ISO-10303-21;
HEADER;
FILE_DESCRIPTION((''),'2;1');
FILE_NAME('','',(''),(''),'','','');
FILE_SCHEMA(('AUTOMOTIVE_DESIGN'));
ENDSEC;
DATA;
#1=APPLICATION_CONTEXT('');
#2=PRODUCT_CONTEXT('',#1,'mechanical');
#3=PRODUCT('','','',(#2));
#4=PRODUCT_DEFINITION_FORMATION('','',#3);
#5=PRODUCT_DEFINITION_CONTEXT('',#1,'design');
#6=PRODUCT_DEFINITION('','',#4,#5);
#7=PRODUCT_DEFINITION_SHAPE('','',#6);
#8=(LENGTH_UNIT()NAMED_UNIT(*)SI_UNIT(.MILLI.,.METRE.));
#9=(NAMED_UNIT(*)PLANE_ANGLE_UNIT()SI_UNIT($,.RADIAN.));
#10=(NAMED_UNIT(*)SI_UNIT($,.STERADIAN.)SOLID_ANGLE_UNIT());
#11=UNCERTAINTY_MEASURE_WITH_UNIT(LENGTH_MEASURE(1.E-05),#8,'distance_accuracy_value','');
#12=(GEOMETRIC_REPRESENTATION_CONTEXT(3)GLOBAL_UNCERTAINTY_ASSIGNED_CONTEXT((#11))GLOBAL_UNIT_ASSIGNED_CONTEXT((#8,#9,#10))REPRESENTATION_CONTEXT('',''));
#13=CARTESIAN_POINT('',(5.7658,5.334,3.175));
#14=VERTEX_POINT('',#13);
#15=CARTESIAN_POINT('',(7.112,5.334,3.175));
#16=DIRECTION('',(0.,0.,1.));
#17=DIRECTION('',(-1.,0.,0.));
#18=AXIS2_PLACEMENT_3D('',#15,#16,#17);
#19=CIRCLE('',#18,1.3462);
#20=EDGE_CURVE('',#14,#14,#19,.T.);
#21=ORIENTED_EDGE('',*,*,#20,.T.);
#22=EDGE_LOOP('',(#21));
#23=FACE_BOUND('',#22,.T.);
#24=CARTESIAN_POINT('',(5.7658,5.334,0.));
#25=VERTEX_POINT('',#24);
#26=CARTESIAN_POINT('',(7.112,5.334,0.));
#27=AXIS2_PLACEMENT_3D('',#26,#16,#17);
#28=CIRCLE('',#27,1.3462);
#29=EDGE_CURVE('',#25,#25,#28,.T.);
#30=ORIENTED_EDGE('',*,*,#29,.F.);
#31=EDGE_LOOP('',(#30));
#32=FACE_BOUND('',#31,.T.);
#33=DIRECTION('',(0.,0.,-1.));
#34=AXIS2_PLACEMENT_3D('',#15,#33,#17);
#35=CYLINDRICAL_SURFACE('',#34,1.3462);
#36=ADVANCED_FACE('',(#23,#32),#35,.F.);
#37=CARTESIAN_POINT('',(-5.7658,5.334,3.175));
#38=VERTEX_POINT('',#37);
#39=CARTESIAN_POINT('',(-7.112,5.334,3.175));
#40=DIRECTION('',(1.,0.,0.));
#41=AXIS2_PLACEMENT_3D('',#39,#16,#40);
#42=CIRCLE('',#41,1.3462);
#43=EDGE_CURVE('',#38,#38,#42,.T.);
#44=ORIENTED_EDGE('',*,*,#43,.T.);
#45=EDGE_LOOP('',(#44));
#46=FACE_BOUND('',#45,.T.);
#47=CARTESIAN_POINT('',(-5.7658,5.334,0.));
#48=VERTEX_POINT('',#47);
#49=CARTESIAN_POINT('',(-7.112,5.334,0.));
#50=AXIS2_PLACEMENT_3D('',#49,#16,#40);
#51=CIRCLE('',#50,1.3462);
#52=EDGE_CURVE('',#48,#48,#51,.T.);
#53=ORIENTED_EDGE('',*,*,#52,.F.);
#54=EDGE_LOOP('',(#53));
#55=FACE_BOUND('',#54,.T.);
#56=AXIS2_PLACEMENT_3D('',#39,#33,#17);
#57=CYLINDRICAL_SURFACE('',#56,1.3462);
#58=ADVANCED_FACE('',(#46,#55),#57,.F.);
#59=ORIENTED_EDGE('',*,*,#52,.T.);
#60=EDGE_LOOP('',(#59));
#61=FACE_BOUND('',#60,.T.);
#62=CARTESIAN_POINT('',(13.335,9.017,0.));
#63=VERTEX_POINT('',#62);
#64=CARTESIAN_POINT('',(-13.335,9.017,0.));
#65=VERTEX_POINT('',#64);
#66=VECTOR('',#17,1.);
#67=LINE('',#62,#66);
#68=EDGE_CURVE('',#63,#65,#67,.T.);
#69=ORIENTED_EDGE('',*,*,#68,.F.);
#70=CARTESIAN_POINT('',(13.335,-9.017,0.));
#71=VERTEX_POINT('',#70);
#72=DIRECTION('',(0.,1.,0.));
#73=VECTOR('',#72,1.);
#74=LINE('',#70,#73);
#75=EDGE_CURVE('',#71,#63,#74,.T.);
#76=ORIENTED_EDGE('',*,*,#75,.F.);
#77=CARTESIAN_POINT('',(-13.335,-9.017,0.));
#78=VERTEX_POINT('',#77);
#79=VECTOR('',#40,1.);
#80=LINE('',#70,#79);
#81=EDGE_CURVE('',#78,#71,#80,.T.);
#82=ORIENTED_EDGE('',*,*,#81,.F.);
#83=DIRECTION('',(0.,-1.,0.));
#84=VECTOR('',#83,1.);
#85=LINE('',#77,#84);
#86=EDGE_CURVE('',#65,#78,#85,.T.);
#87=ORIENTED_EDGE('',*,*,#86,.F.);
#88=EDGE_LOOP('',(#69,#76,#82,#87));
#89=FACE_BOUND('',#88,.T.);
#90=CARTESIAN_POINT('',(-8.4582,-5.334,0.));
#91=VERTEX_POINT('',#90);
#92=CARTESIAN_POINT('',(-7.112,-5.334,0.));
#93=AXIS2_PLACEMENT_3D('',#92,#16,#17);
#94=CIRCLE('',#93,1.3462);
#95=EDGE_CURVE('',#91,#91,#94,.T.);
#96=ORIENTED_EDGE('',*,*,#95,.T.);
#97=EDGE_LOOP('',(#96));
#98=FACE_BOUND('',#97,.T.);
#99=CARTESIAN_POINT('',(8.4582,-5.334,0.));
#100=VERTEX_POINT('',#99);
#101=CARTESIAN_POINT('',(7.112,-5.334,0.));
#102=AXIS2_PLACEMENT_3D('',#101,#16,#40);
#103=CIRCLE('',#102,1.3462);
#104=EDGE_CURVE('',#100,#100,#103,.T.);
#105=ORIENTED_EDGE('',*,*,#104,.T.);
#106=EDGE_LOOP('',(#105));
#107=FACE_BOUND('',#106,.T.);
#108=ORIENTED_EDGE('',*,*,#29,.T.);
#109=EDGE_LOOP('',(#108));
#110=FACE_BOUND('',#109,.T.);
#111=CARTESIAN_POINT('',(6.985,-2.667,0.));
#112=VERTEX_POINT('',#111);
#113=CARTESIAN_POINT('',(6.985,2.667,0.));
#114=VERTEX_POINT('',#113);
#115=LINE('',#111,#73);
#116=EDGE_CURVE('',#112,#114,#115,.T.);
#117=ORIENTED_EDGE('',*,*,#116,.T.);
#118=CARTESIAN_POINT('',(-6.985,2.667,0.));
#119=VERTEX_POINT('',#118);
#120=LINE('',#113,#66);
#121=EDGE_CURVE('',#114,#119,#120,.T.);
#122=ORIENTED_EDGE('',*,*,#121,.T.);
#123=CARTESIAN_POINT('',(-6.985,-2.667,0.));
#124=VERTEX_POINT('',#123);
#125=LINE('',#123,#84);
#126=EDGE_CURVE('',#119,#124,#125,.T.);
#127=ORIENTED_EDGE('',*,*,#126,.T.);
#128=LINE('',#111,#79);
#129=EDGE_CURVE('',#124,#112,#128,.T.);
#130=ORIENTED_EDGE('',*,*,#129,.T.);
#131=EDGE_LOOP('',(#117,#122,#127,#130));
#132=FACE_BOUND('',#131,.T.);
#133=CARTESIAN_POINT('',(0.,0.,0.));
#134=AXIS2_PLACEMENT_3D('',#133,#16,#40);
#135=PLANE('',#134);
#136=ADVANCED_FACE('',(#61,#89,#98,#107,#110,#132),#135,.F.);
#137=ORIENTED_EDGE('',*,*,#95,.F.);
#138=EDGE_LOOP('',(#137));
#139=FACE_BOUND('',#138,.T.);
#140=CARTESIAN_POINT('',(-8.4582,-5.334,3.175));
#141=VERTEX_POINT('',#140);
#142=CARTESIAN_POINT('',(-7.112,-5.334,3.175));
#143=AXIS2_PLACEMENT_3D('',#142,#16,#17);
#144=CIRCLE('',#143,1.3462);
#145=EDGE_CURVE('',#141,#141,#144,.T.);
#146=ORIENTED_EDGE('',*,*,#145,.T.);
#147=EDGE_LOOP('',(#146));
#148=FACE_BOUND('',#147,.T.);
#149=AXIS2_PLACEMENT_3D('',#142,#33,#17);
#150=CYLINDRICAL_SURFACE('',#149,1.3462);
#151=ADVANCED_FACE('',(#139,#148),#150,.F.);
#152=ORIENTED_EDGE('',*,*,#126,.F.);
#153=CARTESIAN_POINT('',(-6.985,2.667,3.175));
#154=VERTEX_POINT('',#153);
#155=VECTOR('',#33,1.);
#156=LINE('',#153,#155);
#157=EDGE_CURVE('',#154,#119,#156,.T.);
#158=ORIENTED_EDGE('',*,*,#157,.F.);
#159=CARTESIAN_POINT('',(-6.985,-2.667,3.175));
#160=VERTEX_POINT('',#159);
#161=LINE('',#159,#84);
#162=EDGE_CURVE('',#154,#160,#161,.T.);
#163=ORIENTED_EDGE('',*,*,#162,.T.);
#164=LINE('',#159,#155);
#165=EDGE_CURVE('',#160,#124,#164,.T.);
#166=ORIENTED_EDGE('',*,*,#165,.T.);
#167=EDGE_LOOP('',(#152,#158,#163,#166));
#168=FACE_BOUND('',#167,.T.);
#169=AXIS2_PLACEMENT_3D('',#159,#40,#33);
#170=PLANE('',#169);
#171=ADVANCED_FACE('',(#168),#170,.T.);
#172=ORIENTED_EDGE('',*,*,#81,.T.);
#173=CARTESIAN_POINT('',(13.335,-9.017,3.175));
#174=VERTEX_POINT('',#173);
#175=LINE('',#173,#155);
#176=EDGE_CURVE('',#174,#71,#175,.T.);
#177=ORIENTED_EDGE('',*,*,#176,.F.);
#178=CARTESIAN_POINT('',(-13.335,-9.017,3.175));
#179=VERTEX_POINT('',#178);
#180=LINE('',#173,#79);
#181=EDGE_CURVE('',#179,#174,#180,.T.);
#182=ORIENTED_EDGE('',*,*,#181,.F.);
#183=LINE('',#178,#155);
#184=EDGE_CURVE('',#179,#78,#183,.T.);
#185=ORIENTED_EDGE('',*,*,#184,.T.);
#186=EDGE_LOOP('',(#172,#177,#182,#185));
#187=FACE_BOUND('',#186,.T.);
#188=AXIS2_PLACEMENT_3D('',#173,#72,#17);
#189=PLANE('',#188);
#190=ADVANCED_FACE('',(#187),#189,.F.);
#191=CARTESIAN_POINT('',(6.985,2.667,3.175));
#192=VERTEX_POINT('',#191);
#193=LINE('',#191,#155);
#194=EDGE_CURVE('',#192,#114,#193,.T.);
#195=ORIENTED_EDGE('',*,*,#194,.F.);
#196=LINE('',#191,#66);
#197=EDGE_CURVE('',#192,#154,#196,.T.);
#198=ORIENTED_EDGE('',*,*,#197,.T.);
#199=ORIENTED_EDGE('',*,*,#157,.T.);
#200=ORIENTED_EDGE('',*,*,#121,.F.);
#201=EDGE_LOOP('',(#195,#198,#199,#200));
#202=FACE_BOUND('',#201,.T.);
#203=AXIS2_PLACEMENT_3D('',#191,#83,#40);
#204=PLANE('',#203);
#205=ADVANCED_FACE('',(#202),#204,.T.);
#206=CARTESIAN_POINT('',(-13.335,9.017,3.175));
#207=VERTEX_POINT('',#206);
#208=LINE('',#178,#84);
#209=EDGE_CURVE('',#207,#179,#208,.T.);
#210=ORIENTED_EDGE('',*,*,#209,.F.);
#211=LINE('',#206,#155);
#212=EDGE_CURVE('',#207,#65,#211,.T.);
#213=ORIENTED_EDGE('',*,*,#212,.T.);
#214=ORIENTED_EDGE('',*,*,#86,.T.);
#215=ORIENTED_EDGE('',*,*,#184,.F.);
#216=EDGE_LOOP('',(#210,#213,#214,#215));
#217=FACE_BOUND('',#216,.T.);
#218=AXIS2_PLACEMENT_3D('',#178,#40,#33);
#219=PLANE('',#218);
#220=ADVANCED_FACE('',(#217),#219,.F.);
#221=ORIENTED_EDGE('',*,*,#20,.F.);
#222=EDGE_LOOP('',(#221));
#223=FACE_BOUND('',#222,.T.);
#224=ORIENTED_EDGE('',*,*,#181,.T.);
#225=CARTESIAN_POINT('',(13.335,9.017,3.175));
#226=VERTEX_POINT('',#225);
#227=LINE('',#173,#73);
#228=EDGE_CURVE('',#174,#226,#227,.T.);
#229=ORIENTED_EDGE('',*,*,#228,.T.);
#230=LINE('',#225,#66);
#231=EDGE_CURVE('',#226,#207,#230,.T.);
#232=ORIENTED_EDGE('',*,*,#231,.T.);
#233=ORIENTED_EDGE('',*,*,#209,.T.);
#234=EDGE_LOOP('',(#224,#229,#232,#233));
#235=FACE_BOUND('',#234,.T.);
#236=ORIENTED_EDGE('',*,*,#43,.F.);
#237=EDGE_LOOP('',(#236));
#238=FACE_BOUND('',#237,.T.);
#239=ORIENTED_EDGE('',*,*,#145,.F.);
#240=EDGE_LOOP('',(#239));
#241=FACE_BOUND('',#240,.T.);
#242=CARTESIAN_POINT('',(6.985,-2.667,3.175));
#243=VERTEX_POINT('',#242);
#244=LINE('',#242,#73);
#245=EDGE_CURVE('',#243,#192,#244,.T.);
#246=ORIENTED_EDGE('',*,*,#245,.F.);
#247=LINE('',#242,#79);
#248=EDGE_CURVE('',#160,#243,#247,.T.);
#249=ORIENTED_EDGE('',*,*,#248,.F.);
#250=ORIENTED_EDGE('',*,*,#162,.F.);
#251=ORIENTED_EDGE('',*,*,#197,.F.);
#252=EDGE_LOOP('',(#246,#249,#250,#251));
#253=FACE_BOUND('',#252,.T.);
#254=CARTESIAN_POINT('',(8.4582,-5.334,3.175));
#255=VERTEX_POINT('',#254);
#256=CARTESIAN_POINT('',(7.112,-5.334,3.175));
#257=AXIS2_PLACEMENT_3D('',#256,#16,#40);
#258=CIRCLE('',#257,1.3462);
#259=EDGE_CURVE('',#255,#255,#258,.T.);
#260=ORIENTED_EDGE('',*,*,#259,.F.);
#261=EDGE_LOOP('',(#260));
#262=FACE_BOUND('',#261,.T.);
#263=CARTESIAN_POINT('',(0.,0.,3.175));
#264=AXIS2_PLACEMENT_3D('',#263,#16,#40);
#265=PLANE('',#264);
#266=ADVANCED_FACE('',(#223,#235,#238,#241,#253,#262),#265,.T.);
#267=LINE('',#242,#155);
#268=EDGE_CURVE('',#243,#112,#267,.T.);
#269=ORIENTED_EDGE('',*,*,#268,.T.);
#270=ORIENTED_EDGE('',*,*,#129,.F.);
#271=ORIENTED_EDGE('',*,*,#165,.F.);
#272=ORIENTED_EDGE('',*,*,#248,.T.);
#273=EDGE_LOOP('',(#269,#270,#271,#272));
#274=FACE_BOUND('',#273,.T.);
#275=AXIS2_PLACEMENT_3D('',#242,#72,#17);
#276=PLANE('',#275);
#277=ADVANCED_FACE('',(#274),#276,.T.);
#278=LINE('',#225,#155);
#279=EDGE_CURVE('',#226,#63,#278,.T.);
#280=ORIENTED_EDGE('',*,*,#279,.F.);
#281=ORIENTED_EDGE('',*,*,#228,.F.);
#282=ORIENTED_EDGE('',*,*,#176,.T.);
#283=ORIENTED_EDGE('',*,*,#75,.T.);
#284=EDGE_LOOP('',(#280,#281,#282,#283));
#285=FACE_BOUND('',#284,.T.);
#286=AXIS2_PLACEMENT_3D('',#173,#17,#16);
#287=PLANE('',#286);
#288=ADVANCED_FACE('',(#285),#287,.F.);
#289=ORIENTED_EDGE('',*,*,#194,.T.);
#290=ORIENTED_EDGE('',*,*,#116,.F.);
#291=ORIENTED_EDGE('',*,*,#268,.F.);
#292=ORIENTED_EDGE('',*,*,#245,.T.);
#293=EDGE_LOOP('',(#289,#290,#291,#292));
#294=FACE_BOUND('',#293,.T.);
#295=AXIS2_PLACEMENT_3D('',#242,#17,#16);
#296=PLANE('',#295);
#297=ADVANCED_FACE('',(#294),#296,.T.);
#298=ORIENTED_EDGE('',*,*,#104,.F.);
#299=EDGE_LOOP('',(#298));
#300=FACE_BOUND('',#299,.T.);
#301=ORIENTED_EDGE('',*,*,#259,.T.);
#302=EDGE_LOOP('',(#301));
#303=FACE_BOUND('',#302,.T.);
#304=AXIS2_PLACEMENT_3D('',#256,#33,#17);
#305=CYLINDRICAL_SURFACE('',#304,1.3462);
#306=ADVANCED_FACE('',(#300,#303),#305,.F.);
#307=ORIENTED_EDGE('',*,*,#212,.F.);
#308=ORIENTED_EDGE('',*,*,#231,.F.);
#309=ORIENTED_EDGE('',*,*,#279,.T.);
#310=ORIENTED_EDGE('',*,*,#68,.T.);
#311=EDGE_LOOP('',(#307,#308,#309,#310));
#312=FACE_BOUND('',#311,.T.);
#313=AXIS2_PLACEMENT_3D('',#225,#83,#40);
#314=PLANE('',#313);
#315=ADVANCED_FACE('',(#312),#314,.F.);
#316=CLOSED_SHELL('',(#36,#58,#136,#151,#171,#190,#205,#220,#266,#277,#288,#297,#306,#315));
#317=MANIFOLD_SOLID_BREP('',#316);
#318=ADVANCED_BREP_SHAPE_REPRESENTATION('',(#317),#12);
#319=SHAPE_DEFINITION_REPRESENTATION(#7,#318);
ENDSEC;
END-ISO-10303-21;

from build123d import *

# Parameters (mm, degrees)
SKETCH2_W           = 26.67
SKETCH2_H           = 18.034
SKETCH2_R           = 1.3462
SKETCH2_W_2         = 13.97
SKETCH2_H_2         = 5.334
BOSS_EXTRUDE1_DEPTH = 3.175


with BuildPart() as part:
    # Sketch2 → Boss-Extrude1 (new body)
    with BuildSketch(Plane.XY):
        Rectangle(SKETCH2_W, SKETCH2_H)
        with Locations((-7.112, 5.334)):
            Circle(SKETCH2_R, mode=Mode.SUBTRACT)
        with Locations(Location((7.112, 5.334, 0), (0, 0, 180))):
            Circle(SKETCH2_R, mode=Mode.SUBTRACT)
        with Locations((7.112, -5.334)):
            Circle(SKETCH2_R, mode=Mode.SUBTRACT)
        with Locations(Location((-7.112, -5.334, 0), (0, 0, 180))):
            Circle(SKETCH2_R, mode=Mode.SUBTRACT)
        Rectangle(SKETCH2_W_2, SKETCH2_H_2, mode=Mode.SUBTRACT)
    extrude(amount=BOSS_EXTRUDE1_DEPTH)


solid = part.part
